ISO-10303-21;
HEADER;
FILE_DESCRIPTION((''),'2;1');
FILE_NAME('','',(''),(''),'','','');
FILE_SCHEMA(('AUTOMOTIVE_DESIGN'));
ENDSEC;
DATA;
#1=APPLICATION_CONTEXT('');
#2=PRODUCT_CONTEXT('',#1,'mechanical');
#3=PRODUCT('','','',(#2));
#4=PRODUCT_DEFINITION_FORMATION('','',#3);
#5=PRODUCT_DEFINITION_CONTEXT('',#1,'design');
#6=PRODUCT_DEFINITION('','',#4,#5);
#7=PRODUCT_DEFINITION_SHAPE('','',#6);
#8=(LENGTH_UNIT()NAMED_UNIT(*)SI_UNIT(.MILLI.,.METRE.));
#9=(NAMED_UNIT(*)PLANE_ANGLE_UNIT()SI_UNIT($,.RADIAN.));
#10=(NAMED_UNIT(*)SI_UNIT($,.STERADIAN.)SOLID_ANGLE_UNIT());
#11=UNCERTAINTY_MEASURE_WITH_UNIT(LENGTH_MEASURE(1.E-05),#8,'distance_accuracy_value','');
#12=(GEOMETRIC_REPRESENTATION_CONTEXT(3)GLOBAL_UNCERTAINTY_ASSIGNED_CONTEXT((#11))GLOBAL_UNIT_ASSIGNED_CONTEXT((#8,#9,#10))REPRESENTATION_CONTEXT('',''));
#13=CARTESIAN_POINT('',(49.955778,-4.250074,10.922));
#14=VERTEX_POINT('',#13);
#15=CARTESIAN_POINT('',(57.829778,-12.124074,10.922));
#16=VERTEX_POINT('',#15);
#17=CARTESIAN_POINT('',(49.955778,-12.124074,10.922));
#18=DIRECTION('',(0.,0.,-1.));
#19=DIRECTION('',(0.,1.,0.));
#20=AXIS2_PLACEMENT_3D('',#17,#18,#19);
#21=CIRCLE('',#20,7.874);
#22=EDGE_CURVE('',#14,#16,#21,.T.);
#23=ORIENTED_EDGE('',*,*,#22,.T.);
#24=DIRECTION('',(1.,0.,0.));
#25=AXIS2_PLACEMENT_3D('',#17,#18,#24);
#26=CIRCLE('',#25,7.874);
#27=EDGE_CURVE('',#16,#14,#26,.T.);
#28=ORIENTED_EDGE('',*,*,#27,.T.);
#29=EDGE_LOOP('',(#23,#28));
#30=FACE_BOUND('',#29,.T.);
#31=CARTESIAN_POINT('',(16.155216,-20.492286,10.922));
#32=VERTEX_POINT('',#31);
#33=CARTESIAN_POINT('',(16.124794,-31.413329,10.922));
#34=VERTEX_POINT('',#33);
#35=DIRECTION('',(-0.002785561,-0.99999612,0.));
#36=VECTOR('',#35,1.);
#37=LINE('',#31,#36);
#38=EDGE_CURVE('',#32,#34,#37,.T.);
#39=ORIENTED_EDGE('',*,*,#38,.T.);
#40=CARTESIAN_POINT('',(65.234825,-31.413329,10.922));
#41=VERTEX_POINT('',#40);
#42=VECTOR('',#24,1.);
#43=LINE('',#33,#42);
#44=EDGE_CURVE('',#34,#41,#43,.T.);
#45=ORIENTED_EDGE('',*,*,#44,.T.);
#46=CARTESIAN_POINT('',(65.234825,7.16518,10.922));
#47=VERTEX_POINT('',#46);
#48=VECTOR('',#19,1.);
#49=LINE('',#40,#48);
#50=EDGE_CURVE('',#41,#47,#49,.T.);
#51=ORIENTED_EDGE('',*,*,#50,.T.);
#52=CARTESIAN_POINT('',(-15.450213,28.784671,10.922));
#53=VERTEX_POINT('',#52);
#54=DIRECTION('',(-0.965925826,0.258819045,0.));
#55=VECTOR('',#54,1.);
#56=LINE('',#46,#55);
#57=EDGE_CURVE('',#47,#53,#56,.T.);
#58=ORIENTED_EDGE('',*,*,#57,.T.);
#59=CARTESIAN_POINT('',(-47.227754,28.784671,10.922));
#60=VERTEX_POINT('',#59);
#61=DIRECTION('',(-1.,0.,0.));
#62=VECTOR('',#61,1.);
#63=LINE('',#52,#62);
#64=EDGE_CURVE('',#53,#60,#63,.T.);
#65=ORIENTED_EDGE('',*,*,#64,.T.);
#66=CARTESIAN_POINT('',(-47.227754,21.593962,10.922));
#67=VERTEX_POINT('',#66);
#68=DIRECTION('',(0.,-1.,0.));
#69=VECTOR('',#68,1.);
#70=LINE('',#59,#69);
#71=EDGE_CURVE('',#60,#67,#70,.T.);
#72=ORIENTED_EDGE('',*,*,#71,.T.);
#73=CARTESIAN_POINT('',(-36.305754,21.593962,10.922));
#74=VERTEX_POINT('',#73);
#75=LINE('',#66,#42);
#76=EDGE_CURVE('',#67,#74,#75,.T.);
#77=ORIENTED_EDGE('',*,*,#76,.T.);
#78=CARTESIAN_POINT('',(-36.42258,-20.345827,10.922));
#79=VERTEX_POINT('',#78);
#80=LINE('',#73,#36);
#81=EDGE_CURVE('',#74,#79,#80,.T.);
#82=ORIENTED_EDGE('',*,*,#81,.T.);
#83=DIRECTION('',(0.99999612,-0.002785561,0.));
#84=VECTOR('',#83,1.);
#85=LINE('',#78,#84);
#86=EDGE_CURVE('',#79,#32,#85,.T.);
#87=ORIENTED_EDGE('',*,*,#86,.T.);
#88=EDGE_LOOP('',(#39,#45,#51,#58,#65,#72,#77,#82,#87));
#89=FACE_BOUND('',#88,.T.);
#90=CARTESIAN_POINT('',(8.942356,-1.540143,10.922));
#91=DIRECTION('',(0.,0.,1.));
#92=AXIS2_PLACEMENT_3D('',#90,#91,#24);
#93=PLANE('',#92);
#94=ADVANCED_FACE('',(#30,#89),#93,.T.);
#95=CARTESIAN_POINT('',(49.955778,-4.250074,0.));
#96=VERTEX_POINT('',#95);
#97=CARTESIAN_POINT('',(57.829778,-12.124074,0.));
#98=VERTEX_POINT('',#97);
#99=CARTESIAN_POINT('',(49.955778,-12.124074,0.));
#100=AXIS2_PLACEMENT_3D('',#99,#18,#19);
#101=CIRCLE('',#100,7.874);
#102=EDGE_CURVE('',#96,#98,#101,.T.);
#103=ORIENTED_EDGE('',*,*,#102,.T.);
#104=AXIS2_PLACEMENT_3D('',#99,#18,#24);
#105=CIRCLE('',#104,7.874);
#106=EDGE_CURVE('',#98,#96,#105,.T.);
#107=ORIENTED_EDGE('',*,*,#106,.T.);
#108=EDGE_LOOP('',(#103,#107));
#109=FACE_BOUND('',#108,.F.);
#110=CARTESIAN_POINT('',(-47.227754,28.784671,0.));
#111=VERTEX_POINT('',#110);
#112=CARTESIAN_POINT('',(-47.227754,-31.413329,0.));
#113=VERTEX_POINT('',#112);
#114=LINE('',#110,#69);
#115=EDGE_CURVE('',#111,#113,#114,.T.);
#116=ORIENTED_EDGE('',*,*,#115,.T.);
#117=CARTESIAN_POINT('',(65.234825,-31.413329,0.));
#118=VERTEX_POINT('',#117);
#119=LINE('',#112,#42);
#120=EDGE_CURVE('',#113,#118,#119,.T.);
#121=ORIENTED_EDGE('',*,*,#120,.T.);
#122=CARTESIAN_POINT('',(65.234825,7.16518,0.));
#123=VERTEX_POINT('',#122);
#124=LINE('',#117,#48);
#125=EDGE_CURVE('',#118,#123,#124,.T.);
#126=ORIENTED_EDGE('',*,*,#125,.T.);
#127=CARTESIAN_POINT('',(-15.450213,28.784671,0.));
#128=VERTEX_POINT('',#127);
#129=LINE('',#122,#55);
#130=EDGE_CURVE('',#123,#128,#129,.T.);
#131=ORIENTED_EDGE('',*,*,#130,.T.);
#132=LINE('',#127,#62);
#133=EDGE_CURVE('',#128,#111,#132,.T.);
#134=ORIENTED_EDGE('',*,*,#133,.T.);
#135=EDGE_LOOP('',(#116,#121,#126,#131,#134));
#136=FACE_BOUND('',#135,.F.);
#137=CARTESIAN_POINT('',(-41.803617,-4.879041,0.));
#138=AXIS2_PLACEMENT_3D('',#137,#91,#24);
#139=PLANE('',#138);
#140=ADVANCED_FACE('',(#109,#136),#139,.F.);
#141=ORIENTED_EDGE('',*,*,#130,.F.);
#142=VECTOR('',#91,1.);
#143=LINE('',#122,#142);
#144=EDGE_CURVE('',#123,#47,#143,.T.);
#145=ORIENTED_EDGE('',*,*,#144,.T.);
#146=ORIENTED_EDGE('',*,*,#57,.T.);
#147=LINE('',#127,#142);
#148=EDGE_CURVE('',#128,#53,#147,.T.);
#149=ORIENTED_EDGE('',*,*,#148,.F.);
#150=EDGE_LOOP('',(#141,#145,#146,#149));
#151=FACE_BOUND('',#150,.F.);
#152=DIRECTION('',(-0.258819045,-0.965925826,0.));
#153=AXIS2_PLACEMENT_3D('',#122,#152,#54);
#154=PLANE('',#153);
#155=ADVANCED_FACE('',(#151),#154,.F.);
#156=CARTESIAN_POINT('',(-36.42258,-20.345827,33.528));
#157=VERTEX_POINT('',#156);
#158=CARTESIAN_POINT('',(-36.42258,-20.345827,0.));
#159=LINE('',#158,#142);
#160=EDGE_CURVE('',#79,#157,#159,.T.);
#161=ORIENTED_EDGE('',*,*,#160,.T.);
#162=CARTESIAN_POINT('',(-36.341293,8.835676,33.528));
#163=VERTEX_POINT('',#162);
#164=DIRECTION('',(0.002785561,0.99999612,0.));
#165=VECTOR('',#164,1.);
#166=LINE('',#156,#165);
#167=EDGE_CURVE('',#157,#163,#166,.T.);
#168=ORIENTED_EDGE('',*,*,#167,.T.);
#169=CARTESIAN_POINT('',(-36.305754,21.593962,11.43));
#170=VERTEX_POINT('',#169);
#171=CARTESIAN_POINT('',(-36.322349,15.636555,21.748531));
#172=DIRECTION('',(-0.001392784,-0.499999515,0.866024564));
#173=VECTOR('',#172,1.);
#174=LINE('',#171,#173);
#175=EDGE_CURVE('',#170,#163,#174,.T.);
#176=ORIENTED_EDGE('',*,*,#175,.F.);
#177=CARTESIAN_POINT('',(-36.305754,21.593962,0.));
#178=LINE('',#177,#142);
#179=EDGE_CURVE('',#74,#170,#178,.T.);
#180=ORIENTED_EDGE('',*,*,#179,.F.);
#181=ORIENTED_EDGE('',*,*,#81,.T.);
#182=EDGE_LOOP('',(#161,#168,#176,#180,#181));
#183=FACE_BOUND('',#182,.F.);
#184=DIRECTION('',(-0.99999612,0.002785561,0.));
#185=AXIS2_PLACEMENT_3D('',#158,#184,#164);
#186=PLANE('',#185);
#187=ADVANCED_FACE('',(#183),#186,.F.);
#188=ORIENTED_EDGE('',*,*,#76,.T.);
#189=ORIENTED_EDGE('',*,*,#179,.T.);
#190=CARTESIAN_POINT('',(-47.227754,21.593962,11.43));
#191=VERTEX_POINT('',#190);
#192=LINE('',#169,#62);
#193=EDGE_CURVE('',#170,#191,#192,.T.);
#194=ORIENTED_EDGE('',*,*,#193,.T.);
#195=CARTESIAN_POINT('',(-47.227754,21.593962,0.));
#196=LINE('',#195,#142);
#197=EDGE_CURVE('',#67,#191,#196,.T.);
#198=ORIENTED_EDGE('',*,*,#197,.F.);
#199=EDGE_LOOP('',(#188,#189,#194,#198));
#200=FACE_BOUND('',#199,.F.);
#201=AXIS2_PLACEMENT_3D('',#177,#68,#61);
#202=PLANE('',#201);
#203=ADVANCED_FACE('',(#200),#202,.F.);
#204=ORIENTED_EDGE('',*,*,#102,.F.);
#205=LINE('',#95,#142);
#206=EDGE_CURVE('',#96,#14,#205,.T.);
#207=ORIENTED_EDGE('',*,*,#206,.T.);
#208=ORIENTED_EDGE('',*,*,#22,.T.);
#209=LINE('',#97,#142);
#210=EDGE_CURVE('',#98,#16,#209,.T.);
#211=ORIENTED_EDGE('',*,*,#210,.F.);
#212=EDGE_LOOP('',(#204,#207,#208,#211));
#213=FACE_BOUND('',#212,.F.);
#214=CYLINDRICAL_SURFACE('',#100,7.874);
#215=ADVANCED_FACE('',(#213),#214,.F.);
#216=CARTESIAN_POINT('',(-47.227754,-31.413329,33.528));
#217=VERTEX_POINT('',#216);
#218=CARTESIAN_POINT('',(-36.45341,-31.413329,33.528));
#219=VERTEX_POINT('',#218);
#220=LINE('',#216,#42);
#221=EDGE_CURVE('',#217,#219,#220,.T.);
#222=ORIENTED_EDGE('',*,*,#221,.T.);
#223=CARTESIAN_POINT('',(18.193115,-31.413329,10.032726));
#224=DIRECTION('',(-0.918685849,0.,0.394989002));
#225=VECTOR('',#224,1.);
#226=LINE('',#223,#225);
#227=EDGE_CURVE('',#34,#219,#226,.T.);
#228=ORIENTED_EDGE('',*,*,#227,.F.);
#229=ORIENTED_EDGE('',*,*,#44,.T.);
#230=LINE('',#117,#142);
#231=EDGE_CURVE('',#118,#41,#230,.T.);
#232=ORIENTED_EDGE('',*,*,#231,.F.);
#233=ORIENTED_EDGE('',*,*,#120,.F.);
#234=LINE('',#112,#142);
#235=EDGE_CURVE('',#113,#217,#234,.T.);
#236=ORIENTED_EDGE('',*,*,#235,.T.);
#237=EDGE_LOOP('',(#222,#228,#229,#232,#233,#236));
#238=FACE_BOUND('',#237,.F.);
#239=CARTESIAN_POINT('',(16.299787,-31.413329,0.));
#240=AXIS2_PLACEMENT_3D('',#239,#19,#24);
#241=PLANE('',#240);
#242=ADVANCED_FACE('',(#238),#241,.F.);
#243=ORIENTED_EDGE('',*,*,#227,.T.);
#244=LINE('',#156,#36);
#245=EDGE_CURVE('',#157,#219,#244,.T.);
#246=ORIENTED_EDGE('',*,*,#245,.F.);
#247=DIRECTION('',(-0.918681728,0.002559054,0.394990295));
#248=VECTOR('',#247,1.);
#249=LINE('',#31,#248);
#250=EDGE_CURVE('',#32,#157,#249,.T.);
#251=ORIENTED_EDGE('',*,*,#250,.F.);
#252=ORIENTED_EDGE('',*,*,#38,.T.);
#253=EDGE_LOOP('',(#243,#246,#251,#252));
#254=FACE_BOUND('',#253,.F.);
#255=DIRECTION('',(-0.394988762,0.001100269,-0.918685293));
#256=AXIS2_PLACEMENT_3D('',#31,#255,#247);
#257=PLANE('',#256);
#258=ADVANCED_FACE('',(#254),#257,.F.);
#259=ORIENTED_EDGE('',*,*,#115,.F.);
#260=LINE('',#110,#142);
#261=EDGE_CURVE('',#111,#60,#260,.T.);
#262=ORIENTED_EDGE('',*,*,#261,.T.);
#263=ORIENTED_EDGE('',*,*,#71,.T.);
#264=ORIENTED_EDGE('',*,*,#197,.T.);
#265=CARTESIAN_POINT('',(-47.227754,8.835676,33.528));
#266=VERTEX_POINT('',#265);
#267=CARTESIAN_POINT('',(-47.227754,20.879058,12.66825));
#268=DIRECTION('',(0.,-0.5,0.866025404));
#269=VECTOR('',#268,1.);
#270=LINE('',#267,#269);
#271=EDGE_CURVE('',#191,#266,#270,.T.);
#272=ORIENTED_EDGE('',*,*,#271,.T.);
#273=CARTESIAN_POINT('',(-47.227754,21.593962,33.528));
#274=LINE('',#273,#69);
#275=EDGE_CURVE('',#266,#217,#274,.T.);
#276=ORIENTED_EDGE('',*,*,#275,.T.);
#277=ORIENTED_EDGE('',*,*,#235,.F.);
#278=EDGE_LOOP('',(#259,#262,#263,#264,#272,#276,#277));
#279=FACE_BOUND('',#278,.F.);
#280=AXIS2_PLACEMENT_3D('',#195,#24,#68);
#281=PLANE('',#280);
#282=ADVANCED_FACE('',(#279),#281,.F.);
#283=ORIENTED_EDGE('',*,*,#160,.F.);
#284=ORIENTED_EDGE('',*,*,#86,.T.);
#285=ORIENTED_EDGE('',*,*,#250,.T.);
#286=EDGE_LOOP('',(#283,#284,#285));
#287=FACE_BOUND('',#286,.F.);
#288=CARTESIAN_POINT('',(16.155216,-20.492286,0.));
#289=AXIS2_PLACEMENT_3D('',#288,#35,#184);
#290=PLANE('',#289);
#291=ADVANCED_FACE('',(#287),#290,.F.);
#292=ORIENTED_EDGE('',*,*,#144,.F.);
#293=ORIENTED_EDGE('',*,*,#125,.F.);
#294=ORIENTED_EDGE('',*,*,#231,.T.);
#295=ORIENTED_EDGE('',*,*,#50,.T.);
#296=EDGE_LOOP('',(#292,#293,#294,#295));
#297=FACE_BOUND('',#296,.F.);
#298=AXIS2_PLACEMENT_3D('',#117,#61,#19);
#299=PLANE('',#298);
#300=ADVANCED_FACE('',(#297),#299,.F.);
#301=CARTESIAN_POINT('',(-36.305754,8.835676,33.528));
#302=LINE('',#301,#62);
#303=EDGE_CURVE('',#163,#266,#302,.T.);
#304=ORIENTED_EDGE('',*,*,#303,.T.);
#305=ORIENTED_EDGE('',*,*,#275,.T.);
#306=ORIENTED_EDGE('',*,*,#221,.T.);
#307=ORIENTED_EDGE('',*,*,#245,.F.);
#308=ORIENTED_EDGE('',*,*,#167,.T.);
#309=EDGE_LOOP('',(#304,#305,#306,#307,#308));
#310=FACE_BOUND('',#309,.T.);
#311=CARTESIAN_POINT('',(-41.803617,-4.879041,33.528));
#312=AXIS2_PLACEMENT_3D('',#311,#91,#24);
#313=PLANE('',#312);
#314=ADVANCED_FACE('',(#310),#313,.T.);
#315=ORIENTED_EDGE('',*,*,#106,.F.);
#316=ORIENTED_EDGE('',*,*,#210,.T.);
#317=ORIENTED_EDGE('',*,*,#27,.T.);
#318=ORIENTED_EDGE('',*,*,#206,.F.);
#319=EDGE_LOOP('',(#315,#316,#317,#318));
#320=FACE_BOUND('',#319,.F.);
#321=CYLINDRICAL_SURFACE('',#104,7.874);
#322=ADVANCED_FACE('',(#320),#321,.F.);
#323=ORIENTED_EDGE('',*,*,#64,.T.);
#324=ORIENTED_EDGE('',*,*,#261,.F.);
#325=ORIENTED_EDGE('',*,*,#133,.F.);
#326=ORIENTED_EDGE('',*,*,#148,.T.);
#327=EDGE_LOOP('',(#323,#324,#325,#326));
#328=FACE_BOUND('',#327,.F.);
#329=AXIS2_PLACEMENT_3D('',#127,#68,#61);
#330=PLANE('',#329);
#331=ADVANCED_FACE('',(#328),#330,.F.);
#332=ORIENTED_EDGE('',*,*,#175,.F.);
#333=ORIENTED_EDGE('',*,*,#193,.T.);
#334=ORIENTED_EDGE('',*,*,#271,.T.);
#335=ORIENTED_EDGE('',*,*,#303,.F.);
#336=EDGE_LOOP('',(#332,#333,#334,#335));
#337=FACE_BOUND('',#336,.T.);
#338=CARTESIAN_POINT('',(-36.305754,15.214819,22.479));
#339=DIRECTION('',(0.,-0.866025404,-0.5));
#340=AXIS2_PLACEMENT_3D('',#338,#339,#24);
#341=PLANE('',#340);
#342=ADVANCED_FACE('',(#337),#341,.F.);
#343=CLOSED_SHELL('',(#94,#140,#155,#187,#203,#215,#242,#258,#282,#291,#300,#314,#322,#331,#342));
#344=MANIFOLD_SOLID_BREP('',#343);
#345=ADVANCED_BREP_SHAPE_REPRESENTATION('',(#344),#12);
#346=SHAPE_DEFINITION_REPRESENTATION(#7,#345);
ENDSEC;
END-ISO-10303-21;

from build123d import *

# Parameters (mm, degrees)
F1_DEPTH   = 10.922
F2_DEPTH   = 33.528
F2_FACE1_W = 10.922
F2_FACE1_H = 22.606
F4_DEPTH   = 53.594
F5_SIZE2   = 12.7582862486
F5_SIZE    = 22.098


with BuildPart() as f1:
    # F0 (on Top) → F1 (new body)
    with BuildSketch(Plane.XY):
        Polygon((-15.4502129098, 28.784671135), (-47.2277541757, 28.784671135), (-47.2277541757, 21.5939618647), (-36.3057541757, 21.5939618647), (-36.4225804595, -20.345826518), (16.1552155546, -20.4922857339), (16.2997870902, -31.413328865), (65.234824773, -31.413328865), (65.234824773, 7.1651804467), align=None)
        with BuildLine():
            ThreePointArc((49.9557780186, -4.2500742092), (55.5235368137, -6.5563154141), (57.8297780186, -12.1240742092))
            ThreePointArc((57.8297780186, -12.1240742092), (44.3880192235, -17.6918330042), (49.9557780186, -4.2500742092))
        make_face(mode=Mode.SUBTRACT)
    extrude(amount=F1_DEPTH)

    # F0 (on Top) → F2 (join)
    with BuildSketch(Plane.XY):
        Polygon((-36.3057541757, 21.5939618647), (-47.2277541757, 21.5939618647), (-47.2277541757, -31.413328865), (-36.4534097798, -31.413328865), (-36.4225804595, -20.345826518), align=None)
        Polygon((-36.4225804595, -20.345826518), (-36.4534097798, -31.413328865), (-15.4502129098, -31.413328865), (16.2997870902, -31.413328865), (16.1552155546, -20.4922857339), align=None)
    extrude(amount=F2_DEPTH)

    # F3 (on face) + F2_face1 (on face) → F4 (cut)
    with BuildSketch(Plane(origin=(-0.0569569325, -20.4471255665, 0), x_dir=(-0.9999961203, 0.0027855608, 0), z_dir=(0.0027855608, 0.9999961203, 0))):
        Polygon((-16.2122353854, 10.922), (36.3657646146, 33.528), (-16.2122353854, 33.528), align=None)
    with BuildSketch(Plane(origin=(16.2275013224, -25.9528072994, 22.225), x_dir=(-0.0132367273, 0.9999123907, 0), z_dir=(0.9999123907, 0.0132367273, 0))):
        Rectangle(F2_FACE1_W, F2_FACE1_H)
    extrude(amount=-F4_DEPTH, dir=(0.0027855608, 0.9999961203, 0), mode=Mode.SUBTRACT)

    # F5
    f5_edges = [f1.edges().sort_by_distance(p)[0] for p in [
        (-41.766754, 21.593962, 33.528),
    ]]
    f5_side = f1.faces().sort_by_distance((-41.766754, 21.593962, 22.225))[0]
    chamfer(f5_edges, length=F5_SIZE, length2=F5_SIZE2, reference=f5_side)


solid = f1.part
